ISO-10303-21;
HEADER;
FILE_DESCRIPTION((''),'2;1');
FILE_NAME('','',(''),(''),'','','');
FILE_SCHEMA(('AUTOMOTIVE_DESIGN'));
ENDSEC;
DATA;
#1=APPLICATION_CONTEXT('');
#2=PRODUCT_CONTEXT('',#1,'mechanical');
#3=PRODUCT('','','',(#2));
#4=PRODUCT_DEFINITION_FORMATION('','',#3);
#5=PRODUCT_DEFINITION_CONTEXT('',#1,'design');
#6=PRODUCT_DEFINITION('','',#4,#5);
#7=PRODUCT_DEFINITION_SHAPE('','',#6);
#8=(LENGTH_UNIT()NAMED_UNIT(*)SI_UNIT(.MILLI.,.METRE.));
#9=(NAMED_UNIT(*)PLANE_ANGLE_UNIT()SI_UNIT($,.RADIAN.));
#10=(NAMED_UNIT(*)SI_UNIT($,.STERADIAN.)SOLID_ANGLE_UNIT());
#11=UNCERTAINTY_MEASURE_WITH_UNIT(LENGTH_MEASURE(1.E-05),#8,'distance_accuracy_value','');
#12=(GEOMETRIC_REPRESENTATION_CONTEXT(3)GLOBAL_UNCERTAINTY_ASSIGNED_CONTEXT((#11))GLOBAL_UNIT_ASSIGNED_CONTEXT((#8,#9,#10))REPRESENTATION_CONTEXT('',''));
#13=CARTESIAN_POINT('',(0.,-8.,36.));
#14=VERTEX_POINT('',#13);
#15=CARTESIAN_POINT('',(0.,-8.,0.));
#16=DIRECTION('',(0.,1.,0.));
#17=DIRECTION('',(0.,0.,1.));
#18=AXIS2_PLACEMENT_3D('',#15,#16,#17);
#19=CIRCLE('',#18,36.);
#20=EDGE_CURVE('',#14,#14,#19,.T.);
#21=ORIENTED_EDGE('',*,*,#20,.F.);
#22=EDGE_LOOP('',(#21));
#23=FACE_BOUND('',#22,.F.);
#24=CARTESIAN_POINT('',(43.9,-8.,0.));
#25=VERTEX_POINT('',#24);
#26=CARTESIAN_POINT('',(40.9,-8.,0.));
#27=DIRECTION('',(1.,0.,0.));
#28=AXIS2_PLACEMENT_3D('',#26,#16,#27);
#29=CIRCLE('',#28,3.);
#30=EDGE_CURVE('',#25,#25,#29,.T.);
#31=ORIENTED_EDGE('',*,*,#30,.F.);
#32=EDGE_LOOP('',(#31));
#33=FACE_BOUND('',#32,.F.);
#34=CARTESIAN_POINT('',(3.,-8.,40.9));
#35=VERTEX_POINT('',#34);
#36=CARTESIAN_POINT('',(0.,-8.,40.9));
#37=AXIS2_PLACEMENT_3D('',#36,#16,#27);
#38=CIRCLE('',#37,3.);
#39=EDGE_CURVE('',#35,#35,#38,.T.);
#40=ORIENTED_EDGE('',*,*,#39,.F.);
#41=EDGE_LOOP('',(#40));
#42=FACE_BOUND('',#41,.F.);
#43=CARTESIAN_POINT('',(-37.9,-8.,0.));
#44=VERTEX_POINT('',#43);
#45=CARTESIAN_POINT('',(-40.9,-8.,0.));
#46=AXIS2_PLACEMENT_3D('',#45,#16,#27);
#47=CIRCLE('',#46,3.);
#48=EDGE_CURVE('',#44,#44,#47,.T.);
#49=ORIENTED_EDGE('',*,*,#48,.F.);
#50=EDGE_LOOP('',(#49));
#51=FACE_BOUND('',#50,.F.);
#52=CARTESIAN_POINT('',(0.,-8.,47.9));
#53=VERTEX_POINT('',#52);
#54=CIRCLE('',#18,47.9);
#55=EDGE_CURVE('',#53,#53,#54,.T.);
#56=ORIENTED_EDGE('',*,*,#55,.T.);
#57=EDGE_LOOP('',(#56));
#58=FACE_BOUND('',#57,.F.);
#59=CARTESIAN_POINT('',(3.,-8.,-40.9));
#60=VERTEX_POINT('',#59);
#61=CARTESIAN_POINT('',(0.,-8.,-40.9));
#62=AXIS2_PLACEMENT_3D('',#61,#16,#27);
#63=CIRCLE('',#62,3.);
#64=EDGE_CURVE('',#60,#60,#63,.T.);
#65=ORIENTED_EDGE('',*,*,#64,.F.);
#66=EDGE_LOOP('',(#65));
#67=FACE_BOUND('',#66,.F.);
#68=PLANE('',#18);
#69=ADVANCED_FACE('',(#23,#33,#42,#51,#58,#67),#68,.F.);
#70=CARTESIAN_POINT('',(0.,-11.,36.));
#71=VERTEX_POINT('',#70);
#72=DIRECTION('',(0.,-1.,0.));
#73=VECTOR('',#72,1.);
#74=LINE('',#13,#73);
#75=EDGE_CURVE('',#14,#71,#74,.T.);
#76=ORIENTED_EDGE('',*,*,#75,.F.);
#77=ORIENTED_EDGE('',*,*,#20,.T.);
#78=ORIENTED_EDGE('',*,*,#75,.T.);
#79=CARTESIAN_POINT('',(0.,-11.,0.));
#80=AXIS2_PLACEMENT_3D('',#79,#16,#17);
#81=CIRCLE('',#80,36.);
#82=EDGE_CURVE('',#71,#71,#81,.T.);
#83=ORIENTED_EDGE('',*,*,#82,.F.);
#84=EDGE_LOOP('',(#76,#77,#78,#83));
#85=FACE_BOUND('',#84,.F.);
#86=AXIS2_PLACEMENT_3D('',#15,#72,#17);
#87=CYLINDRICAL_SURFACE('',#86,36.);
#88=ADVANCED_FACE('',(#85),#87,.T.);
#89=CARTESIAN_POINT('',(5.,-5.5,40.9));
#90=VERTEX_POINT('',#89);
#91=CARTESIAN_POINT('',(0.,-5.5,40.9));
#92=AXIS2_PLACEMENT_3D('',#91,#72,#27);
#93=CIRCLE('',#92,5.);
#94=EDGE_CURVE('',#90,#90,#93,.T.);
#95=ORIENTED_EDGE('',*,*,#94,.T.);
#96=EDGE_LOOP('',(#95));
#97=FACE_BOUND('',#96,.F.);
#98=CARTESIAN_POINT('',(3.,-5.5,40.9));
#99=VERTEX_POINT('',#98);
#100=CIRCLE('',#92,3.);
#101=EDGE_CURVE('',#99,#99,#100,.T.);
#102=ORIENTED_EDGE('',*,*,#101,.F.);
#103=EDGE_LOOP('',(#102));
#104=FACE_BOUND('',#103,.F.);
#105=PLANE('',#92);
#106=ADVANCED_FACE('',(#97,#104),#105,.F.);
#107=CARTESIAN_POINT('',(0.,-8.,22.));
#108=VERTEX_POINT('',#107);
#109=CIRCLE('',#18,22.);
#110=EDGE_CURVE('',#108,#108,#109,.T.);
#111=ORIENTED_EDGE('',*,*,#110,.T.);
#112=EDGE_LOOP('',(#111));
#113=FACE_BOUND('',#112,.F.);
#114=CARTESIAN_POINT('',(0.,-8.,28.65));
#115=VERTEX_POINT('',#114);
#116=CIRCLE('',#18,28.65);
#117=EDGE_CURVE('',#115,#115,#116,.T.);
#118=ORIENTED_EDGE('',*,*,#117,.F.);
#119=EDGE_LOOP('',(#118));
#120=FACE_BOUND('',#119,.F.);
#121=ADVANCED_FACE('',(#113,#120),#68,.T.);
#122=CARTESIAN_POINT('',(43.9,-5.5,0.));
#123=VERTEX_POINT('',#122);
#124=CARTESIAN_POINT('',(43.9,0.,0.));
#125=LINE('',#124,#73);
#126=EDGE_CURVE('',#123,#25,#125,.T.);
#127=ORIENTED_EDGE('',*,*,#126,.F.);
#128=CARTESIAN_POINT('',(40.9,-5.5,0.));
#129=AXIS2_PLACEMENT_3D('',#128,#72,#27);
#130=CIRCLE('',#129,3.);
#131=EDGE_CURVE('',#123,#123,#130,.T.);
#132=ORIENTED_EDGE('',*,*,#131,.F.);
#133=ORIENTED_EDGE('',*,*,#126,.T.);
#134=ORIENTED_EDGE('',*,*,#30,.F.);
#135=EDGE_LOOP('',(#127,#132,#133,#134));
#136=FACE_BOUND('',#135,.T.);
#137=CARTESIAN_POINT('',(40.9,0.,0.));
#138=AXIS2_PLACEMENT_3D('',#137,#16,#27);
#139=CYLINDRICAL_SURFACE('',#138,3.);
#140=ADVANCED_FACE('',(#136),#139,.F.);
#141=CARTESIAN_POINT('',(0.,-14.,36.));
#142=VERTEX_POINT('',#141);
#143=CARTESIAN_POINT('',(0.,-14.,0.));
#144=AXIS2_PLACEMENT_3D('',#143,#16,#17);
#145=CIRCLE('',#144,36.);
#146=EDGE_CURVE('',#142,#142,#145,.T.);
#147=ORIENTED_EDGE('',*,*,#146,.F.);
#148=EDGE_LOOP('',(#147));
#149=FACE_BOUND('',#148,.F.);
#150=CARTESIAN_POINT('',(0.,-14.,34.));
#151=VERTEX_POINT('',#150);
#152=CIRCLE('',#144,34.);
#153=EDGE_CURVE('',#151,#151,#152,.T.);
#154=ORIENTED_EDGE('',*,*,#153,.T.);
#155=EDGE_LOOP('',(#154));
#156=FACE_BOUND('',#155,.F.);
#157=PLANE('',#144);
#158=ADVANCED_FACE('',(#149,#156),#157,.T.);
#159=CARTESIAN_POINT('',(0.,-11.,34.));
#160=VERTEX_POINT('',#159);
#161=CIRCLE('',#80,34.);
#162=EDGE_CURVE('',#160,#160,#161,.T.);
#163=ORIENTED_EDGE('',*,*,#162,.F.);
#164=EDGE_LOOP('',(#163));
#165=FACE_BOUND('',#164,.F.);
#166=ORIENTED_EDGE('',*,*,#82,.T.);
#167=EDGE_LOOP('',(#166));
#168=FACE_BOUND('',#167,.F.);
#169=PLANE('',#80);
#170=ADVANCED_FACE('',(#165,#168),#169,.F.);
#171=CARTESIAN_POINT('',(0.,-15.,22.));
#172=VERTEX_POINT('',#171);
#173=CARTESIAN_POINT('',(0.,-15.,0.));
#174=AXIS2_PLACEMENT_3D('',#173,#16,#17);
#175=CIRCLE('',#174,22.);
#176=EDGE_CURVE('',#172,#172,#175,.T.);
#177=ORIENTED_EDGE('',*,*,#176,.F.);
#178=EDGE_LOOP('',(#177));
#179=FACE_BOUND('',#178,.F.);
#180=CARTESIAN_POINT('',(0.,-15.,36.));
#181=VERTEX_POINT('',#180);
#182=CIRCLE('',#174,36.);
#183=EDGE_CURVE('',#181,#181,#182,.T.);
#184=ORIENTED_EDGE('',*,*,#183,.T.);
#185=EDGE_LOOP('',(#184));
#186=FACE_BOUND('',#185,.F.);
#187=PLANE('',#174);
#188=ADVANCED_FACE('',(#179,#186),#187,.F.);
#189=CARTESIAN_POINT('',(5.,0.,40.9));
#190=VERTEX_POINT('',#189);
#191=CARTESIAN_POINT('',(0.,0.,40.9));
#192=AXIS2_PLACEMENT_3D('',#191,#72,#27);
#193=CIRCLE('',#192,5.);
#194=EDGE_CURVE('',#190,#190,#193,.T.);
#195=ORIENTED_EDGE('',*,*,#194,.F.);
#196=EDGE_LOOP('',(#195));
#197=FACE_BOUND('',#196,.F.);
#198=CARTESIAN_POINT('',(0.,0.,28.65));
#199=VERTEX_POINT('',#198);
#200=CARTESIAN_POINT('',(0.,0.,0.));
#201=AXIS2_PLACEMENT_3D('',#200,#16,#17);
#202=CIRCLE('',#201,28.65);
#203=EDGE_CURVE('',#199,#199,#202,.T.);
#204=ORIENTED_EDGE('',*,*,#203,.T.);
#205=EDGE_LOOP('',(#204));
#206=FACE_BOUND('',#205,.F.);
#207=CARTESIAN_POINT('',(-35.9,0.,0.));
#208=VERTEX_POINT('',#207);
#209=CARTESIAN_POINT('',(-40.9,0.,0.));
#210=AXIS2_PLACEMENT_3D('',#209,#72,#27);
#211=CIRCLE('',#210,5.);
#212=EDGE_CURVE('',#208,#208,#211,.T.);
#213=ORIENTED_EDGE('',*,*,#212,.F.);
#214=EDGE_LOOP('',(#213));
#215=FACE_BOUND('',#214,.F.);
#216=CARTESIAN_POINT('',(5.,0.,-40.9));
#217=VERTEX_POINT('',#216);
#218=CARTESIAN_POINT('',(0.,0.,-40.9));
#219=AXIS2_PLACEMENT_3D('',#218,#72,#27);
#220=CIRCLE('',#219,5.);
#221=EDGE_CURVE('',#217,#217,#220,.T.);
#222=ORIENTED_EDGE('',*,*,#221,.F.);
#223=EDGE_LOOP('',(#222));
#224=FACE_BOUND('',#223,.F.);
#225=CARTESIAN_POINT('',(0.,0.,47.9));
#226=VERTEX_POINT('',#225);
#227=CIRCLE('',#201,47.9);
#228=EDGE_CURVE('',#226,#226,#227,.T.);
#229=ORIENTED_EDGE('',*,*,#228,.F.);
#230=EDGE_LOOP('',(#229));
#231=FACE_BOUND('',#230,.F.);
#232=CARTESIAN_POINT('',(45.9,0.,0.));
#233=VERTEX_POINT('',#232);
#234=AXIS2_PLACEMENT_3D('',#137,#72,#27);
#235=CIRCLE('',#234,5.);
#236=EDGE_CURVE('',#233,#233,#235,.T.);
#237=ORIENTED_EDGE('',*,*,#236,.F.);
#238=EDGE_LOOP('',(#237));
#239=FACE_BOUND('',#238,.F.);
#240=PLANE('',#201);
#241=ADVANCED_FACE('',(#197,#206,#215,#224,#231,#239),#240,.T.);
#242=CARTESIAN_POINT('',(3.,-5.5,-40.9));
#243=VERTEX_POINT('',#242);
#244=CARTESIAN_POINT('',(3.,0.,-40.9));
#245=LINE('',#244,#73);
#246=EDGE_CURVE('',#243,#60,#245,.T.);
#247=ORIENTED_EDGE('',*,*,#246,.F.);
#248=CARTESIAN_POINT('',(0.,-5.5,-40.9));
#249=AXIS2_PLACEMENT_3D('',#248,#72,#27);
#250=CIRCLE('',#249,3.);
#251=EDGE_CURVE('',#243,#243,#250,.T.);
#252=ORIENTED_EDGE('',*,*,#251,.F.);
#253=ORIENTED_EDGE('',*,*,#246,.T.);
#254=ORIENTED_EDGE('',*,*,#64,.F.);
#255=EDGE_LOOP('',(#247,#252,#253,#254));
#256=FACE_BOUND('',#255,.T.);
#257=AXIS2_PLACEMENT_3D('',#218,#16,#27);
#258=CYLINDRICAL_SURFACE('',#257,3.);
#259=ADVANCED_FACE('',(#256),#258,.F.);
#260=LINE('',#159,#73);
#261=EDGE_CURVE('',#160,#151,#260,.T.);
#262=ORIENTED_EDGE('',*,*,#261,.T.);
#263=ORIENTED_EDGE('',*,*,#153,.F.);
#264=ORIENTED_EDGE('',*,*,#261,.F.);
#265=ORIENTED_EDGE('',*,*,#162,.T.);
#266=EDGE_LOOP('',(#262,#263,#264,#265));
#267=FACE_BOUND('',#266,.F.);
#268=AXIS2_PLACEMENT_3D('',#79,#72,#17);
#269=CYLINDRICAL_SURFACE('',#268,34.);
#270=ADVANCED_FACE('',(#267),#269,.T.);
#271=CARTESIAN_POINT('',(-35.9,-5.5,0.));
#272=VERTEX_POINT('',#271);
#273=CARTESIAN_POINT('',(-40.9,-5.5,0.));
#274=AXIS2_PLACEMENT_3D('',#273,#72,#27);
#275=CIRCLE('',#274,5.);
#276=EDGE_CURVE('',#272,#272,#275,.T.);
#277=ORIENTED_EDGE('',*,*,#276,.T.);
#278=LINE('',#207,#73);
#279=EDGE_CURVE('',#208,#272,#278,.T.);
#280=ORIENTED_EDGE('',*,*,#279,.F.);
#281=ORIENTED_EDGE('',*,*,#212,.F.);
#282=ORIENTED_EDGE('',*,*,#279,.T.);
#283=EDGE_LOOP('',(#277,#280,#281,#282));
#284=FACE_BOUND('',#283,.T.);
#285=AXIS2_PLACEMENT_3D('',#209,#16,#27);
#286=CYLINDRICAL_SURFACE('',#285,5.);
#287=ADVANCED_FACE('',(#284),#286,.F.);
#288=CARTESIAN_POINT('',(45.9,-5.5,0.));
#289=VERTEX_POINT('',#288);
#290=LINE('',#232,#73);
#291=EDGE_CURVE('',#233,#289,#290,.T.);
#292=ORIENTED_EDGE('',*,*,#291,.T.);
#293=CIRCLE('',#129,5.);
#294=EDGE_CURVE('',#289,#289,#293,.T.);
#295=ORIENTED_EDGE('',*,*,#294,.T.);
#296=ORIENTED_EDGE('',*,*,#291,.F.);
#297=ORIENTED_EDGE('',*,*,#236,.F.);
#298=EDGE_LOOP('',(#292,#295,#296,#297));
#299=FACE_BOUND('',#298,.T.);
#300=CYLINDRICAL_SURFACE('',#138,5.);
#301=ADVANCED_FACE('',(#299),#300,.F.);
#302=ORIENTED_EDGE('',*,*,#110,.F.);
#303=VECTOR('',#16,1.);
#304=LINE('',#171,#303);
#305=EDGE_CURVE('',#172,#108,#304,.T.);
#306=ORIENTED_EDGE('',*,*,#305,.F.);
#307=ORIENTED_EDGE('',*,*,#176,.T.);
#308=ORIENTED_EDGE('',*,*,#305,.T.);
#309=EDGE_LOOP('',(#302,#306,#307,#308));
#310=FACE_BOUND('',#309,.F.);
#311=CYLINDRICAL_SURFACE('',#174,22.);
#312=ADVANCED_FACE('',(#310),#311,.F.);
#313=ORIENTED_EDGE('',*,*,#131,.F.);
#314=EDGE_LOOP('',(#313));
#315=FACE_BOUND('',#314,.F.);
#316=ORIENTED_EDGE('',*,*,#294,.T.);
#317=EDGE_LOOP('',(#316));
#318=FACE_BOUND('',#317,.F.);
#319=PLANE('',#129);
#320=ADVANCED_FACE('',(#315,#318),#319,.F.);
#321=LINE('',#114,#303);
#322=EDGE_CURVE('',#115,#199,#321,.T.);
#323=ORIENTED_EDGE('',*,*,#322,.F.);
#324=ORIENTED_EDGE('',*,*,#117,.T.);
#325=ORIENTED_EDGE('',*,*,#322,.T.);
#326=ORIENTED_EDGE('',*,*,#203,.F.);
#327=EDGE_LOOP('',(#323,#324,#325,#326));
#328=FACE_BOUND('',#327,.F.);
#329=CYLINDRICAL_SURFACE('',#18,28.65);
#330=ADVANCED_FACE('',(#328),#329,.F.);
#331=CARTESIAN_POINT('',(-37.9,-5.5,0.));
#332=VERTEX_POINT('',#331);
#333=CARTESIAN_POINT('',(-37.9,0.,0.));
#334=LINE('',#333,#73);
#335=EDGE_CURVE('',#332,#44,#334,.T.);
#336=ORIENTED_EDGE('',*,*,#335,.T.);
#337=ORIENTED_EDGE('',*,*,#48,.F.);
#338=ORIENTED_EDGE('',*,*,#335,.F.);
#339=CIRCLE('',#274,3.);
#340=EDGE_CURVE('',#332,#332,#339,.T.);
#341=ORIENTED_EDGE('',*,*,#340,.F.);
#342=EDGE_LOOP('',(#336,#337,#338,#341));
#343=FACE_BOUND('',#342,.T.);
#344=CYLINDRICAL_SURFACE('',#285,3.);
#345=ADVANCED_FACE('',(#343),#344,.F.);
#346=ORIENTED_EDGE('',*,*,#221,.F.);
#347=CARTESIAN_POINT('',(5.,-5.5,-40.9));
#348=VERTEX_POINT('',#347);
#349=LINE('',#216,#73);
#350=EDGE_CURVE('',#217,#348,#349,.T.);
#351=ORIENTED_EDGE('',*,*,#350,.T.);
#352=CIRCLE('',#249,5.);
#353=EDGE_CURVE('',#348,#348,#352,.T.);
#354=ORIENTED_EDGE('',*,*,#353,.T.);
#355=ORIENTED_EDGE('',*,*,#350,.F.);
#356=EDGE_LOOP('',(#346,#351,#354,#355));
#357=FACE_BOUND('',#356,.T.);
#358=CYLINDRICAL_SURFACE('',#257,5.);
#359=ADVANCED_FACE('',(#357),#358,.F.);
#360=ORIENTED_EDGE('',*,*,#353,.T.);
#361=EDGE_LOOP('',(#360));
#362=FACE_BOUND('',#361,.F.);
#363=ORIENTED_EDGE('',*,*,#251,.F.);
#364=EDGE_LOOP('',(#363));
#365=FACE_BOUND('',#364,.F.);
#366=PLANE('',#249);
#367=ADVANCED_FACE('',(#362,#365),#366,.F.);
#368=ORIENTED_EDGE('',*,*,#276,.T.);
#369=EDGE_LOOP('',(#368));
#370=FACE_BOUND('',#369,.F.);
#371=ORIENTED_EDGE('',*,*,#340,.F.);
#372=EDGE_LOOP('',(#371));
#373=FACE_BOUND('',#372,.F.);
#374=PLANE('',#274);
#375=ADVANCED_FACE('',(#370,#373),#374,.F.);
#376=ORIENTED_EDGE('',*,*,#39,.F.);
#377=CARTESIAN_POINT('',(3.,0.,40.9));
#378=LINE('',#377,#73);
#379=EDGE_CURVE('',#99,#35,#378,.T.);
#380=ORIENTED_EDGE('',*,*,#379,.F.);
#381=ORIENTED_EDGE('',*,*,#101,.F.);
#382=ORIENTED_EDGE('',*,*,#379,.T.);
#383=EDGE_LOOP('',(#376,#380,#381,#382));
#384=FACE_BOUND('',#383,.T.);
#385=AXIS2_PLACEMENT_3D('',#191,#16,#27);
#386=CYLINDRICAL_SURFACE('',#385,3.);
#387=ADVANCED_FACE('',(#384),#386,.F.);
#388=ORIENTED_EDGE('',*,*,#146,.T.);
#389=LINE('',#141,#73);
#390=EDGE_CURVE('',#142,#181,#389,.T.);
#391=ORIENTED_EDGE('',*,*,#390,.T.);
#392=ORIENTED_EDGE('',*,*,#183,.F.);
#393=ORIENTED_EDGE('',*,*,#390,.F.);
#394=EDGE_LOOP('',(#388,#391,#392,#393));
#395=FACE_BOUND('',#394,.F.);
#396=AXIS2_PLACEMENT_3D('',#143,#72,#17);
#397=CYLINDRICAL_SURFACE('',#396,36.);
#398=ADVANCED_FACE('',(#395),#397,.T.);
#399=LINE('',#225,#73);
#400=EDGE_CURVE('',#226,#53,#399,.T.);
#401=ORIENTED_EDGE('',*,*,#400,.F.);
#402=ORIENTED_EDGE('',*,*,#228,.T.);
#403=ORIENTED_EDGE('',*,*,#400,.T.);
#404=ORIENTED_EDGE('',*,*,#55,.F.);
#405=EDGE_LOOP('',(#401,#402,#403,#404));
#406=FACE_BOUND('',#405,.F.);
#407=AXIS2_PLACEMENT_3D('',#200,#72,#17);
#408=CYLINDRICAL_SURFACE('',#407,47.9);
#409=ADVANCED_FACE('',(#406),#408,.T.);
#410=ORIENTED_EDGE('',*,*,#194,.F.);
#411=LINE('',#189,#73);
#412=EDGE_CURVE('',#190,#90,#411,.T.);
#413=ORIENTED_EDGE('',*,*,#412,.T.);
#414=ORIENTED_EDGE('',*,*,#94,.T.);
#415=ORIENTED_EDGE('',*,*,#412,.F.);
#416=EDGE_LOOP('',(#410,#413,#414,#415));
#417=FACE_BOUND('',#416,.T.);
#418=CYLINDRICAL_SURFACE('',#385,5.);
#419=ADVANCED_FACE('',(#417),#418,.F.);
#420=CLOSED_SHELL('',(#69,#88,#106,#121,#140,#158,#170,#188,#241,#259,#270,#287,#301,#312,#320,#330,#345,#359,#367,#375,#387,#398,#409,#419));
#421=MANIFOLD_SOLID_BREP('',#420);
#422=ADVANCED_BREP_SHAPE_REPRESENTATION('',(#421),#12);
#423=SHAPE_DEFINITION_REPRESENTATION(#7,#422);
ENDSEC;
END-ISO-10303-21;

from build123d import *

# Parameters (mm, degrees)
F2_R     = 5
F2_R_2   = 3
F3_DEPTH = 5.5
F4_DEPTH = 25


with BuildPart() as f1:
    # F0 (on Right) → F1 (revolve)
    with BuildSketch(Plane.YZ):
        Polygon((-8, 28.65), (0, 28.65), (0, 47.9), (-8, 47.9), (-8, 36), (-11, 36), (-11, 34), (-14, 34), (-14, 36), (-15, 36), (-15, 22), (-8, 22), align=None)
    revolve(axis=Axis((0, 0.8244532039, 0), (0, 1, 0)))

    # F2 (on Front) → F3 (cut)
    with BuildSketch(Plane.XZ):
        with Locations((0, 40.9)):
            Circle(F2_R)
        with Locations((0, 40.9)):
            Circle(F2_R_2, mode=Mode.SUBTRACT)
        with Locations((-40.9, 0)):
            Circle(F2_R)
        with Locations((-40.9, 0)):
            Circle(F2_R_2, mode=Mode.SUBTRACT)
        with Locations((40.9, 0)):
            Circle(F2_R)
        with Locations((40.9, 0)):
            Circle(F2_R_2, mode=Mode.SUBTRACT)
        with Locations((0, -40.9)):
            Circle(F2_R)
        with Locations((0, -40.9)):
            Circle(F2_R_2, mode=Mode.SUBTRACT)
    extrude(amount=F3_DEPTH, mode=Mode.SUBTRACT)

    # F4 (cut): faces of the model
    f4_faces = [f1.faces().sort_by_distance(p)[0] for p in [
        (-40.9, 0, 0),
        (0, 0, 40.9),
        (40.9, 0, 0),
        (0, 0, -40.9),
    ]]
    extrude(f4_faces, amount=-F4_DEPTH, mode=Mode.SUBTRACT)


solid = f1.part
